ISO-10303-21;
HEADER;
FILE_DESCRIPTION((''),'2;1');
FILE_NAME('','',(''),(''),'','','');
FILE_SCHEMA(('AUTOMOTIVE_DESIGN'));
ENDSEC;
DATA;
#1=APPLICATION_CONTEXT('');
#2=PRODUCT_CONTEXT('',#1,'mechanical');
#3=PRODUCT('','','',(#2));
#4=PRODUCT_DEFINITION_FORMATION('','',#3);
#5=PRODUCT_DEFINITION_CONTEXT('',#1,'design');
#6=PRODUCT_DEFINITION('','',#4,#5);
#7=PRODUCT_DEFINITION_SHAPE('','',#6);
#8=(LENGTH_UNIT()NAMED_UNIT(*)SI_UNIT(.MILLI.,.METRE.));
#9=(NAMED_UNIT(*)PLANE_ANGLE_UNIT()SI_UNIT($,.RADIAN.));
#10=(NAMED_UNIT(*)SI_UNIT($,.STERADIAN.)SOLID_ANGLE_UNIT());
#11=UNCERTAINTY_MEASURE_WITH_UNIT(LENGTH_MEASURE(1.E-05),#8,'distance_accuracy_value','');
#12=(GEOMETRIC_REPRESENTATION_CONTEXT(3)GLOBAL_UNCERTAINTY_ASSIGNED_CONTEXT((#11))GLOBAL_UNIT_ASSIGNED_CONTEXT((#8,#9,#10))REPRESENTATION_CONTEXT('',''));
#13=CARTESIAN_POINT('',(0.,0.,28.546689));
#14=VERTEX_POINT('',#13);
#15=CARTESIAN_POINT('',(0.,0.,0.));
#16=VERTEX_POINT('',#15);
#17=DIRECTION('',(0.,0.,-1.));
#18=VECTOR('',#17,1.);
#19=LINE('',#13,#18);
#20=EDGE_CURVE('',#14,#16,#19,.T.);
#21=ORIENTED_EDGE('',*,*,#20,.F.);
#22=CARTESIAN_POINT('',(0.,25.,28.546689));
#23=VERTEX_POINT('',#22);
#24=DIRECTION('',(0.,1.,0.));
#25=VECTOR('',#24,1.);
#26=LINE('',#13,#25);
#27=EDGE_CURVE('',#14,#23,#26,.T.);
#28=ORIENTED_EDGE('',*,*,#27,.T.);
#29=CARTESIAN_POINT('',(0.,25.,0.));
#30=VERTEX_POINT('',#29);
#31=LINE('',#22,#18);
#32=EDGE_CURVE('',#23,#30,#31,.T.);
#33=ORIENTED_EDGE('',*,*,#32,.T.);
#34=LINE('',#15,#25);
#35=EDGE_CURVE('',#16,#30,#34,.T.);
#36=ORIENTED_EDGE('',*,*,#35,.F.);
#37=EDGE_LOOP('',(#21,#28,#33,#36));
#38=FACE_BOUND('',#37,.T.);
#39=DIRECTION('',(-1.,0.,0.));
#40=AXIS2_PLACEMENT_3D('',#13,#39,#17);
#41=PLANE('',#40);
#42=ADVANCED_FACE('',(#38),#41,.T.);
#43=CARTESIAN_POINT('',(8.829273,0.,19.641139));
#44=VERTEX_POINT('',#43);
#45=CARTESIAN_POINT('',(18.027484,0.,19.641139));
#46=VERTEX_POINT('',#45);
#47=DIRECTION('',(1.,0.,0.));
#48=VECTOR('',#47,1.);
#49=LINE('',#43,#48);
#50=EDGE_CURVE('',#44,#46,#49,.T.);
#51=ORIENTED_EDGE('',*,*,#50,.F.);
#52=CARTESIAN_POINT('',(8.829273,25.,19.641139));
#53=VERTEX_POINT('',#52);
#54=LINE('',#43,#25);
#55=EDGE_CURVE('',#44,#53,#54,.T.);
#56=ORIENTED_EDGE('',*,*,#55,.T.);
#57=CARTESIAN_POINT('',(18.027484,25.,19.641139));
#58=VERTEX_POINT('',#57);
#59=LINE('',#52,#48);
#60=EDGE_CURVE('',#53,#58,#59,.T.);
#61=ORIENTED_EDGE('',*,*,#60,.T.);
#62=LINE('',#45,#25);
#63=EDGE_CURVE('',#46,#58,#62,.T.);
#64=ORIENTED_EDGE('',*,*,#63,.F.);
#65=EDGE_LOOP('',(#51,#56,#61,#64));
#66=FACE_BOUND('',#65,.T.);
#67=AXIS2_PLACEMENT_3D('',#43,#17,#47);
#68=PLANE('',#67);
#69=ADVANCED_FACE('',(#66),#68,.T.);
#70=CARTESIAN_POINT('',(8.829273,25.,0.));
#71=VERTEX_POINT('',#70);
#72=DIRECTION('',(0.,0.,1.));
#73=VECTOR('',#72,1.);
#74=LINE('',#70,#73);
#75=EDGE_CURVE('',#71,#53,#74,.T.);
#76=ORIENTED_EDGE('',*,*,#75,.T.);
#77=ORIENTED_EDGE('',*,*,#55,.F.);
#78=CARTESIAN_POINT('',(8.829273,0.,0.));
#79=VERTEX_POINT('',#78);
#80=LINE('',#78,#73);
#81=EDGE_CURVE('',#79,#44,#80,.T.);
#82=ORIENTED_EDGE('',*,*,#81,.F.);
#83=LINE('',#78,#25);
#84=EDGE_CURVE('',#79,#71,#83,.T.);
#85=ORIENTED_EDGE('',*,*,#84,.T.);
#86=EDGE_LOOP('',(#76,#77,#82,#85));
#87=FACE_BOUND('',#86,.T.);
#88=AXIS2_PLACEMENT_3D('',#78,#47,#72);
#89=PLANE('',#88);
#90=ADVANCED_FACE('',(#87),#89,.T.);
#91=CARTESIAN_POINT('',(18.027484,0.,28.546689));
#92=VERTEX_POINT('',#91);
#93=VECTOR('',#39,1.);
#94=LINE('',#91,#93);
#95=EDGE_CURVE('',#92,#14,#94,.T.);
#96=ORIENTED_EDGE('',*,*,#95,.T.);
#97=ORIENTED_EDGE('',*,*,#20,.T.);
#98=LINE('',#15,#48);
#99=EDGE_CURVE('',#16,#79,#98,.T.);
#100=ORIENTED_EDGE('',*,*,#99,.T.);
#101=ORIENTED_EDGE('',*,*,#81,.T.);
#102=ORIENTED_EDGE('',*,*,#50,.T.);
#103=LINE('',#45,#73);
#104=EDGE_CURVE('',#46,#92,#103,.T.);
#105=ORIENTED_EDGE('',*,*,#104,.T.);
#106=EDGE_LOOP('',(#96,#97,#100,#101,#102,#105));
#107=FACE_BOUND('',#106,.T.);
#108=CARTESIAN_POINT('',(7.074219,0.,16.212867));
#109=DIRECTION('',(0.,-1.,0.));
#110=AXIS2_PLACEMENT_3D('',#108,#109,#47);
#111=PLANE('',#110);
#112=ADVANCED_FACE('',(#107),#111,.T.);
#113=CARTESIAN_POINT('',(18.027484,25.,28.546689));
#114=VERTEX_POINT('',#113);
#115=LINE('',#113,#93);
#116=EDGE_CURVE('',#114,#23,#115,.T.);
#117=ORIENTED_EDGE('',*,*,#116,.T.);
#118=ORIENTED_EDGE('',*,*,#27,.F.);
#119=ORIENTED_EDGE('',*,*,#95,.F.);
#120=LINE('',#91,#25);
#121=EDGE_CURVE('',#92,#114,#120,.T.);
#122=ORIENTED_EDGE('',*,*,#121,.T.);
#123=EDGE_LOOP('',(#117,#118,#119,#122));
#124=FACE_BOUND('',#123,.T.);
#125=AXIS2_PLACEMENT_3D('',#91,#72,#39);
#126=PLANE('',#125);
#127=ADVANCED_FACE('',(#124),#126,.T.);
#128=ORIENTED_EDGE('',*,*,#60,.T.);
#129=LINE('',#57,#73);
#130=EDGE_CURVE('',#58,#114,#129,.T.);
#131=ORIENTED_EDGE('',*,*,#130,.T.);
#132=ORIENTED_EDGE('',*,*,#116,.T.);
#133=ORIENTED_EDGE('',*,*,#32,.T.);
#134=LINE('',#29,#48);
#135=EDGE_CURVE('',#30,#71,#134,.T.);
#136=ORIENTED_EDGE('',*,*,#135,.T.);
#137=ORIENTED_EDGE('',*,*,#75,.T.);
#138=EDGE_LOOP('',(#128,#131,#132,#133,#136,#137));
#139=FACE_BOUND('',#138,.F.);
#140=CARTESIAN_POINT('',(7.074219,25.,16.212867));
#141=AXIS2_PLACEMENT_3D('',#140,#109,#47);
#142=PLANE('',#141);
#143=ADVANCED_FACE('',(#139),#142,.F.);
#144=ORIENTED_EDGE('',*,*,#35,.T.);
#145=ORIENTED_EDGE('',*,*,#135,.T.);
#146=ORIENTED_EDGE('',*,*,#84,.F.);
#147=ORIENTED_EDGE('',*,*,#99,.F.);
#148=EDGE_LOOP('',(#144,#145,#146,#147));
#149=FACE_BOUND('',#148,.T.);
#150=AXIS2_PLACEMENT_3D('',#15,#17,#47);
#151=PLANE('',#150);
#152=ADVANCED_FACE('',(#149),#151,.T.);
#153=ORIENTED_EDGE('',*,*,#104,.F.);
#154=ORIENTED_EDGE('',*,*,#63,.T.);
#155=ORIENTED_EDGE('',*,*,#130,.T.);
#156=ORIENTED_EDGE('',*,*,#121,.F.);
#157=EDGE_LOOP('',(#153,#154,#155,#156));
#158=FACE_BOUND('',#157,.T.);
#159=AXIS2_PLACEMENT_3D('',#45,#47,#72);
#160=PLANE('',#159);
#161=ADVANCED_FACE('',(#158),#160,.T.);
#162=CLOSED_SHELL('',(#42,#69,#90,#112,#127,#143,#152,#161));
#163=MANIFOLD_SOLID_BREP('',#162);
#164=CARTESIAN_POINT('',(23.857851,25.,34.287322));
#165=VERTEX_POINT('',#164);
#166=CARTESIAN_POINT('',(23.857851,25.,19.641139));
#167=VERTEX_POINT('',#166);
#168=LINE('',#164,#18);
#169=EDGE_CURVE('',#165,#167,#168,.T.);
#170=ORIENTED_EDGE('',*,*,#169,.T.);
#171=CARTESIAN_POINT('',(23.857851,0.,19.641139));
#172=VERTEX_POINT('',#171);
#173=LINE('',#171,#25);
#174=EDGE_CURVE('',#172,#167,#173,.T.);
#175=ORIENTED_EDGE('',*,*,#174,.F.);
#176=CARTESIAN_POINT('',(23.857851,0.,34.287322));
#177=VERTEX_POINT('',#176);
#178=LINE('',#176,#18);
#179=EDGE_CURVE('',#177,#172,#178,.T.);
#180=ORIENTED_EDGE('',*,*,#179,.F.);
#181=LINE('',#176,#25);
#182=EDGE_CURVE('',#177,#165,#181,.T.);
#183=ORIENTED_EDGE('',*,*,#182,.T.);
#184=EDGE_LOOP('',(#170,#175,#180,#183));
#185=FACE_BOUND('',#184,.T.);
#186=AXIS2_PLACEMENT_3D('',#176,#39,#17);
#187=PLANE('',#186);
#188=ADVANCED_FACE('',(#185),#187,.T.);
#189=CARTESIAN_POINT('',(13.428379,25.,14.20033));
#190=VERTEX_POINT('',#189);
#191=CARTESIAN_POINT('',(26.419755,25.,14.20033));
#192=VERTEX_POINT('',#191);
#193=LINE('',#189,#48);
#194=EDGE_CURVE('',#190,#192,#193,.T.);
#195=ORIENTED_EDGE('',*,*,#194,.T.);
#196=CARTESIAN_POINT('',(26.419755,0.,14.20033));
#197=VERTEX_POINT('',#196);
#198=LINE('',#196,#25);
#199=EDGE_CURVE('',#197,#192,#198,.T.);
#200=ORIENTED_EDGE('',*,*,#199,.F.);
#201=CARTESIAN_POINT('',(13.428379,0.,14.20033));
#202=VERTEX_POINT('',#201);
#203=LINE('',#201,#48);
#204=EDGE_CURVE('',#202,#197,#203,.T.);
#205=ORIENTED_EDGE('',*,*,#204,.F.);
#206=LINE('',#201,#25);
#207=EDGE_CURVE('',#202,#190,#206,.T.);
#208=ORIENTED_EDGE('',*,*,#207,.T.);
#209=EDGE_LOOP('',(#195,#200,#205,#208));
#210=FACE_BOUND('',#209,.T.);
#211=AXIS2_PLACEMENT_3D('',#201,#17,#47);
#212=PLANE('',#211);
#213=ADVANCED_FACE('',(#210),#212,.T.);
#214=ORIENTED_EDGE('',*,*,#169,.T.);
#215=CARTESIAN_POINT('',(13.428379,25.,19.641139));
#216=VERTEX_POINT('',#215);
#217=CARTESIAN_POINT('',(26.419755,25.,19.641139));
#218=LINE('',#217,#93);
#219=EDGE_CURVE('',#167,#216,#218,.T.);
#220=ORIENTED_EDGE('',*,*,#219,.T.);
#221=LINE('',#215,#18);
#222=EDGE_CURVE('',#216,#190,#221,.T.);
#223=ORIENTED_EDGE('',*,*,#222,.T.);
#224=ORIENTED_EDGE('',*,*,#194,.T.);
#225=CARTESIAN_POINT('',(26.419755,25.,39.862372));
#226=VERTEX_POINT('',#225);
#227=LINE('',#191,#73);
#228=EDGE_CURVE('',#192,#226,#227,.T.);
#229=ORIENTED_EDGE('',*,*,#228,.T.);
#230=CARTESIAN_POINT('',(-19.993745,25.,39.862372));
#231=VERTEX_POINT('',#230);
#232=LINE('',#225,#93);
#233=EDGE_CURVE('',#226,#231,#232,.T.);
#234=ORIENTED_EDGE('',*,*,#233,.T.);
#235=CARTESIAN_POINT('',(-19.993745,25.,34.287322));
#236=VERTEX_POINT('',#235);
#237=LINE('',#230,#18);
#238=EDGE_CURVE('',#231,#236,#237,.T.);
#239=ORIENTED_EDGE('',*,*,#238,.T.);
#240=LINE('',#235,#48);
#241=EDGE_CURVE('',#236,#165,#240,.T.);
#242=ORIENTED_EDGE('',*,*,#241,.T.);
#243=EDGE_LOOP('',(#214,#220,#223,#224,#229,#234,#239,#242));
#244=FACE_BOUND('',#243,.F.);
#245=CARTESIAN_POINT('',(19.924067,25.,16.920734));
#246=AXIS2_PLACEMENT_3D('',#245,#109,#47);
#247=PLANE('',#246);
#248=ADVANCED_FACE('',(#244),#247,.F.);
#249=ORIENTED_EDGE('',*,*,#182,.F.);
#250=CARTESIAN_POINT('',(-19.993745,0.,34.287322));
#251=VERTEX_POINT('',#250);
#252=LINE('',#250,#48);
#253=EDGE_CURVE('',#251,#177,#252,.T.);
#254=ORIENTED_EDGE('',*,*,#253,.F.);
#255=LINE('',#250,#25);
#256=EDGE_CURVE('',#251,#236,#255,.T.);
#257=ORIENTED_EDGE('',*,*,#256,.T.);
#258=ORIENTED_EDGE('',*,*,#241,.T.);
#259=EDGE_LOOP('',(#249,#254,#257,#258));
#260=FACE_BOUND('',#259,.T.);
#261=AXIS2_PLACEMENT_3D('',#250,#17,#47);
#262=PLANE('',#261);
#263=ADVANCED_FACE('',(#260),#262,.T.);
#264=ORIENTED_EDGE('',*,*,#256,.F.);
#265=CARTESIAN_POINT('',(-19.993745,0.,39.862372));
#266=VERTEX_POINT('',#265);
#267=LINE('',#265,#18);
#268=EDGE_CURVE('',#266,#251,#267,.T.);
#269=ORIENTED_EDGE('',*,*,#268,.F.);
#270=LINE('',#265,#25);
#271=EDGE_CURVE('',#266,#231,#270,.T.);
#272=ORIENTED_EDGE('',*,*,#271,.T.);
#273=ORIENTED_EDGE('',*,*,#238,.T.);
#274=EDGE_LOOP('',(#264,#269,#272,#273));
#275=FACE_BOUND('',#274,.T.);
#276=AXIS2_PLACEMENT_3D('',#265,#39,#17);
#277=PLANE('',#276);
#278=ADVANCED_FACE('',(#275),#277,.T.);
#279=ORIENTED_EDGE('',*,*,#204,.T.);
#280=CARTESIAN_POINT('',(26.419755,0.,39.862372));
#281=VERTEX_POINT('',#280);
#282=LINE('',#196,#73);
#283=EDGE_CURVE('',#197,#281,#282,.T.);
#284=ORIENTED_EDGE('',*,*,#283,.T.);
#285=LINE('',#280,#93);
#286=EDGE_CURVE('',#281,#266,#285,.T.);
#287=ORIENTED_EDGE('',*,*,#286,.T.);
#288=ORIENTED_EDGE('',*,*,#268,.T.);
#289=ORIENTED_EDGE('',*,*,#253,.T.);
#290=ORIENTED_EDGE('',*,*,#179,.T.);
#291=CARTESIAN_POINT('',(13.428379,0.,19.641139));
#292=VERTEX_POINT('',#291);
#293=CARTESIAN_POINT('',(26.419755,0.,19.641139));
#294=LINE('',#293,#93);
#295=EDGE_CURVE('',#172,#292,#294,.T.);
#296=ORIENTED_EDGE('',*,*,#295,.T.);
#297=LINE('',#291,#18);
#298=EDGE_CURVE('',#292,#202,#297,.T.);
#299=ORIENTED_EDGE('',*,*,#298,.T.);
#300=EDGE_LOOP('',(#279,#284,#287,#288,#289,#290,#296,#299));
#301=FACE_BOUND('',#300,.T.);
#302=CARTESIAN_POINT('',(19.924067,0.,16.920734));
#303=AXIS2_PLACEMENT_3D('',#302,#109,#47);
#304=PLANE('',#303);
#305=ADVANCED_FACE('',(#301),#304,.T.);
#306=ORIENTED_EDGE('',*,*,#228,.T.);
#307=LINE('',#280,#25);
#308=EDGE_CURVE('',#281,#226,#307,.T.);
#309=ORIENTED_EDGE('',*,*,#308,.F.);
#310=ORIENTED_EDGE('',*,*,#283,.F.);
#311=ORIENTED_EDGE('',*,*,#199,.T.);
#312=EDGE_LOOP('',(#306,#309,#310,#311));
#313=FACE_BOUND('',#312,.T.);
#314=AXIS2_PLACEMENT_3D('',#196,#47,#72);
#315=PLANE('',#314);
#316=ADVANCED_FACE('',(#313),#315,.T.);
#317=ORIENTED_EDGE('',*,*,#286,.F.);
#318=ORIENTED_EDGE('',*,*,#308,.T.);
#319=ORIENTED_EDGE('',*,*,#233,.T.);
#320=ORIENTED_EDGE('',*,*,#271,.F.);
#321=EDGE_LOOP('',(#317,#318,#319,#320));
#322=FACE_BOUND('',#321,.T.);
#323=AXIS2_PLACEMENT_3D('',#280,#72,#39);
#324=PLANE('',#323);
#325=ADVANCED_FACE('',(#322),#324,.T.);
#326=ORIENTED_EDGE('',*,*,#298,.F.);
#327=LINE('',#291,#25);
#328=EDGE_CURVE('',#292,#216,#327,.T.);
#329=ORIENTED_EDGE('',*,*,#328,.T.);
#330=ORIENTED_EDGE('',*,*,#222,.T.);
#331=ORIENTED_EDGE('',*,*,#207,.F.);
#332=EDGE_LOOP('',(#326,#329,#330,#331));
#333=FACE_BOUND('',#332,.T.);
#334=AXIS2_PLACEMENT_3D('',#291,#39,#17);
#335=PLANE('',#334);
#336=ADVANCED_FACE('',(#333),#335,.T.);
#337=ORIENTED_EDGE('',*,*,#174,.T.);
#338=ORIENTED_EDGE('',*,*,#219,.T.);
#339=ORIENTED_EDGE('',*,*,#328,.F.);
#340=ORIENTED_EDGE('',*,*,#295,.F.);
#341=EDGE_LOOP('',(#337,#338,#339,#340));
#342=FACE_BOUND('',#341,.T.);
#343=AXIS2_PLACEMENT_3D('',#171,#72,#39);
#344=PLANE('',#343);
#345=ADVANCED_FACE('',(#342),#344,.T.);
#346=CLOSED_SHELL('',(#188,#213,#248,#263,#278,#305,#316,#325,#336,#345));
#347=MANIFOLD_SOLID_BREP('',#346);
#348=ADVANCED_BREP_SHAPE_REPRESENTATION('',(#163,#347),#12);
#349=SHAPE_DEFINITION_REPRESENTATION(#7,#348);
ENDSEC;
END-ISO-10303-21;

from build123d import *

# Parameters (mm, degrees)
F1_DEPTH = 25
F3_DEPTH = 25


with BuildPart() as f1:
    # F0 (on Front) → F1 (new body)
    with BuildSketch(Plane.XZ):
        Polygon((18.027484, 28.546689), (0, 28.546689), (0, 0), (8.829273, 0), (8.829273, 19.641139), (18.027484, 19.641139), align=None)
    extrude(amount=-F1_DEPTH)


with BuildPart() as f3:
    # F2 (on face) → F3 (new body)
    with BuildSketch(Plane.XZ):
        Polygon((23.857851, 19.641139), (13.428379, 19.641139), (13.428379, 14.20033), (26.419755, 14.20033), (26.419755, 19.641139), align=None)
        Polygon((23.857851, 34.287322), (23.857851, 19.641139), (26.419755, 19.641139), (26.419755, 39.862372), (-19.993745, 39.862372), (-19.993745, 34.287322), align=None)
    extrude(amount=-F3_DEPTH)


solid = Compound([f1.part, f3.part])
